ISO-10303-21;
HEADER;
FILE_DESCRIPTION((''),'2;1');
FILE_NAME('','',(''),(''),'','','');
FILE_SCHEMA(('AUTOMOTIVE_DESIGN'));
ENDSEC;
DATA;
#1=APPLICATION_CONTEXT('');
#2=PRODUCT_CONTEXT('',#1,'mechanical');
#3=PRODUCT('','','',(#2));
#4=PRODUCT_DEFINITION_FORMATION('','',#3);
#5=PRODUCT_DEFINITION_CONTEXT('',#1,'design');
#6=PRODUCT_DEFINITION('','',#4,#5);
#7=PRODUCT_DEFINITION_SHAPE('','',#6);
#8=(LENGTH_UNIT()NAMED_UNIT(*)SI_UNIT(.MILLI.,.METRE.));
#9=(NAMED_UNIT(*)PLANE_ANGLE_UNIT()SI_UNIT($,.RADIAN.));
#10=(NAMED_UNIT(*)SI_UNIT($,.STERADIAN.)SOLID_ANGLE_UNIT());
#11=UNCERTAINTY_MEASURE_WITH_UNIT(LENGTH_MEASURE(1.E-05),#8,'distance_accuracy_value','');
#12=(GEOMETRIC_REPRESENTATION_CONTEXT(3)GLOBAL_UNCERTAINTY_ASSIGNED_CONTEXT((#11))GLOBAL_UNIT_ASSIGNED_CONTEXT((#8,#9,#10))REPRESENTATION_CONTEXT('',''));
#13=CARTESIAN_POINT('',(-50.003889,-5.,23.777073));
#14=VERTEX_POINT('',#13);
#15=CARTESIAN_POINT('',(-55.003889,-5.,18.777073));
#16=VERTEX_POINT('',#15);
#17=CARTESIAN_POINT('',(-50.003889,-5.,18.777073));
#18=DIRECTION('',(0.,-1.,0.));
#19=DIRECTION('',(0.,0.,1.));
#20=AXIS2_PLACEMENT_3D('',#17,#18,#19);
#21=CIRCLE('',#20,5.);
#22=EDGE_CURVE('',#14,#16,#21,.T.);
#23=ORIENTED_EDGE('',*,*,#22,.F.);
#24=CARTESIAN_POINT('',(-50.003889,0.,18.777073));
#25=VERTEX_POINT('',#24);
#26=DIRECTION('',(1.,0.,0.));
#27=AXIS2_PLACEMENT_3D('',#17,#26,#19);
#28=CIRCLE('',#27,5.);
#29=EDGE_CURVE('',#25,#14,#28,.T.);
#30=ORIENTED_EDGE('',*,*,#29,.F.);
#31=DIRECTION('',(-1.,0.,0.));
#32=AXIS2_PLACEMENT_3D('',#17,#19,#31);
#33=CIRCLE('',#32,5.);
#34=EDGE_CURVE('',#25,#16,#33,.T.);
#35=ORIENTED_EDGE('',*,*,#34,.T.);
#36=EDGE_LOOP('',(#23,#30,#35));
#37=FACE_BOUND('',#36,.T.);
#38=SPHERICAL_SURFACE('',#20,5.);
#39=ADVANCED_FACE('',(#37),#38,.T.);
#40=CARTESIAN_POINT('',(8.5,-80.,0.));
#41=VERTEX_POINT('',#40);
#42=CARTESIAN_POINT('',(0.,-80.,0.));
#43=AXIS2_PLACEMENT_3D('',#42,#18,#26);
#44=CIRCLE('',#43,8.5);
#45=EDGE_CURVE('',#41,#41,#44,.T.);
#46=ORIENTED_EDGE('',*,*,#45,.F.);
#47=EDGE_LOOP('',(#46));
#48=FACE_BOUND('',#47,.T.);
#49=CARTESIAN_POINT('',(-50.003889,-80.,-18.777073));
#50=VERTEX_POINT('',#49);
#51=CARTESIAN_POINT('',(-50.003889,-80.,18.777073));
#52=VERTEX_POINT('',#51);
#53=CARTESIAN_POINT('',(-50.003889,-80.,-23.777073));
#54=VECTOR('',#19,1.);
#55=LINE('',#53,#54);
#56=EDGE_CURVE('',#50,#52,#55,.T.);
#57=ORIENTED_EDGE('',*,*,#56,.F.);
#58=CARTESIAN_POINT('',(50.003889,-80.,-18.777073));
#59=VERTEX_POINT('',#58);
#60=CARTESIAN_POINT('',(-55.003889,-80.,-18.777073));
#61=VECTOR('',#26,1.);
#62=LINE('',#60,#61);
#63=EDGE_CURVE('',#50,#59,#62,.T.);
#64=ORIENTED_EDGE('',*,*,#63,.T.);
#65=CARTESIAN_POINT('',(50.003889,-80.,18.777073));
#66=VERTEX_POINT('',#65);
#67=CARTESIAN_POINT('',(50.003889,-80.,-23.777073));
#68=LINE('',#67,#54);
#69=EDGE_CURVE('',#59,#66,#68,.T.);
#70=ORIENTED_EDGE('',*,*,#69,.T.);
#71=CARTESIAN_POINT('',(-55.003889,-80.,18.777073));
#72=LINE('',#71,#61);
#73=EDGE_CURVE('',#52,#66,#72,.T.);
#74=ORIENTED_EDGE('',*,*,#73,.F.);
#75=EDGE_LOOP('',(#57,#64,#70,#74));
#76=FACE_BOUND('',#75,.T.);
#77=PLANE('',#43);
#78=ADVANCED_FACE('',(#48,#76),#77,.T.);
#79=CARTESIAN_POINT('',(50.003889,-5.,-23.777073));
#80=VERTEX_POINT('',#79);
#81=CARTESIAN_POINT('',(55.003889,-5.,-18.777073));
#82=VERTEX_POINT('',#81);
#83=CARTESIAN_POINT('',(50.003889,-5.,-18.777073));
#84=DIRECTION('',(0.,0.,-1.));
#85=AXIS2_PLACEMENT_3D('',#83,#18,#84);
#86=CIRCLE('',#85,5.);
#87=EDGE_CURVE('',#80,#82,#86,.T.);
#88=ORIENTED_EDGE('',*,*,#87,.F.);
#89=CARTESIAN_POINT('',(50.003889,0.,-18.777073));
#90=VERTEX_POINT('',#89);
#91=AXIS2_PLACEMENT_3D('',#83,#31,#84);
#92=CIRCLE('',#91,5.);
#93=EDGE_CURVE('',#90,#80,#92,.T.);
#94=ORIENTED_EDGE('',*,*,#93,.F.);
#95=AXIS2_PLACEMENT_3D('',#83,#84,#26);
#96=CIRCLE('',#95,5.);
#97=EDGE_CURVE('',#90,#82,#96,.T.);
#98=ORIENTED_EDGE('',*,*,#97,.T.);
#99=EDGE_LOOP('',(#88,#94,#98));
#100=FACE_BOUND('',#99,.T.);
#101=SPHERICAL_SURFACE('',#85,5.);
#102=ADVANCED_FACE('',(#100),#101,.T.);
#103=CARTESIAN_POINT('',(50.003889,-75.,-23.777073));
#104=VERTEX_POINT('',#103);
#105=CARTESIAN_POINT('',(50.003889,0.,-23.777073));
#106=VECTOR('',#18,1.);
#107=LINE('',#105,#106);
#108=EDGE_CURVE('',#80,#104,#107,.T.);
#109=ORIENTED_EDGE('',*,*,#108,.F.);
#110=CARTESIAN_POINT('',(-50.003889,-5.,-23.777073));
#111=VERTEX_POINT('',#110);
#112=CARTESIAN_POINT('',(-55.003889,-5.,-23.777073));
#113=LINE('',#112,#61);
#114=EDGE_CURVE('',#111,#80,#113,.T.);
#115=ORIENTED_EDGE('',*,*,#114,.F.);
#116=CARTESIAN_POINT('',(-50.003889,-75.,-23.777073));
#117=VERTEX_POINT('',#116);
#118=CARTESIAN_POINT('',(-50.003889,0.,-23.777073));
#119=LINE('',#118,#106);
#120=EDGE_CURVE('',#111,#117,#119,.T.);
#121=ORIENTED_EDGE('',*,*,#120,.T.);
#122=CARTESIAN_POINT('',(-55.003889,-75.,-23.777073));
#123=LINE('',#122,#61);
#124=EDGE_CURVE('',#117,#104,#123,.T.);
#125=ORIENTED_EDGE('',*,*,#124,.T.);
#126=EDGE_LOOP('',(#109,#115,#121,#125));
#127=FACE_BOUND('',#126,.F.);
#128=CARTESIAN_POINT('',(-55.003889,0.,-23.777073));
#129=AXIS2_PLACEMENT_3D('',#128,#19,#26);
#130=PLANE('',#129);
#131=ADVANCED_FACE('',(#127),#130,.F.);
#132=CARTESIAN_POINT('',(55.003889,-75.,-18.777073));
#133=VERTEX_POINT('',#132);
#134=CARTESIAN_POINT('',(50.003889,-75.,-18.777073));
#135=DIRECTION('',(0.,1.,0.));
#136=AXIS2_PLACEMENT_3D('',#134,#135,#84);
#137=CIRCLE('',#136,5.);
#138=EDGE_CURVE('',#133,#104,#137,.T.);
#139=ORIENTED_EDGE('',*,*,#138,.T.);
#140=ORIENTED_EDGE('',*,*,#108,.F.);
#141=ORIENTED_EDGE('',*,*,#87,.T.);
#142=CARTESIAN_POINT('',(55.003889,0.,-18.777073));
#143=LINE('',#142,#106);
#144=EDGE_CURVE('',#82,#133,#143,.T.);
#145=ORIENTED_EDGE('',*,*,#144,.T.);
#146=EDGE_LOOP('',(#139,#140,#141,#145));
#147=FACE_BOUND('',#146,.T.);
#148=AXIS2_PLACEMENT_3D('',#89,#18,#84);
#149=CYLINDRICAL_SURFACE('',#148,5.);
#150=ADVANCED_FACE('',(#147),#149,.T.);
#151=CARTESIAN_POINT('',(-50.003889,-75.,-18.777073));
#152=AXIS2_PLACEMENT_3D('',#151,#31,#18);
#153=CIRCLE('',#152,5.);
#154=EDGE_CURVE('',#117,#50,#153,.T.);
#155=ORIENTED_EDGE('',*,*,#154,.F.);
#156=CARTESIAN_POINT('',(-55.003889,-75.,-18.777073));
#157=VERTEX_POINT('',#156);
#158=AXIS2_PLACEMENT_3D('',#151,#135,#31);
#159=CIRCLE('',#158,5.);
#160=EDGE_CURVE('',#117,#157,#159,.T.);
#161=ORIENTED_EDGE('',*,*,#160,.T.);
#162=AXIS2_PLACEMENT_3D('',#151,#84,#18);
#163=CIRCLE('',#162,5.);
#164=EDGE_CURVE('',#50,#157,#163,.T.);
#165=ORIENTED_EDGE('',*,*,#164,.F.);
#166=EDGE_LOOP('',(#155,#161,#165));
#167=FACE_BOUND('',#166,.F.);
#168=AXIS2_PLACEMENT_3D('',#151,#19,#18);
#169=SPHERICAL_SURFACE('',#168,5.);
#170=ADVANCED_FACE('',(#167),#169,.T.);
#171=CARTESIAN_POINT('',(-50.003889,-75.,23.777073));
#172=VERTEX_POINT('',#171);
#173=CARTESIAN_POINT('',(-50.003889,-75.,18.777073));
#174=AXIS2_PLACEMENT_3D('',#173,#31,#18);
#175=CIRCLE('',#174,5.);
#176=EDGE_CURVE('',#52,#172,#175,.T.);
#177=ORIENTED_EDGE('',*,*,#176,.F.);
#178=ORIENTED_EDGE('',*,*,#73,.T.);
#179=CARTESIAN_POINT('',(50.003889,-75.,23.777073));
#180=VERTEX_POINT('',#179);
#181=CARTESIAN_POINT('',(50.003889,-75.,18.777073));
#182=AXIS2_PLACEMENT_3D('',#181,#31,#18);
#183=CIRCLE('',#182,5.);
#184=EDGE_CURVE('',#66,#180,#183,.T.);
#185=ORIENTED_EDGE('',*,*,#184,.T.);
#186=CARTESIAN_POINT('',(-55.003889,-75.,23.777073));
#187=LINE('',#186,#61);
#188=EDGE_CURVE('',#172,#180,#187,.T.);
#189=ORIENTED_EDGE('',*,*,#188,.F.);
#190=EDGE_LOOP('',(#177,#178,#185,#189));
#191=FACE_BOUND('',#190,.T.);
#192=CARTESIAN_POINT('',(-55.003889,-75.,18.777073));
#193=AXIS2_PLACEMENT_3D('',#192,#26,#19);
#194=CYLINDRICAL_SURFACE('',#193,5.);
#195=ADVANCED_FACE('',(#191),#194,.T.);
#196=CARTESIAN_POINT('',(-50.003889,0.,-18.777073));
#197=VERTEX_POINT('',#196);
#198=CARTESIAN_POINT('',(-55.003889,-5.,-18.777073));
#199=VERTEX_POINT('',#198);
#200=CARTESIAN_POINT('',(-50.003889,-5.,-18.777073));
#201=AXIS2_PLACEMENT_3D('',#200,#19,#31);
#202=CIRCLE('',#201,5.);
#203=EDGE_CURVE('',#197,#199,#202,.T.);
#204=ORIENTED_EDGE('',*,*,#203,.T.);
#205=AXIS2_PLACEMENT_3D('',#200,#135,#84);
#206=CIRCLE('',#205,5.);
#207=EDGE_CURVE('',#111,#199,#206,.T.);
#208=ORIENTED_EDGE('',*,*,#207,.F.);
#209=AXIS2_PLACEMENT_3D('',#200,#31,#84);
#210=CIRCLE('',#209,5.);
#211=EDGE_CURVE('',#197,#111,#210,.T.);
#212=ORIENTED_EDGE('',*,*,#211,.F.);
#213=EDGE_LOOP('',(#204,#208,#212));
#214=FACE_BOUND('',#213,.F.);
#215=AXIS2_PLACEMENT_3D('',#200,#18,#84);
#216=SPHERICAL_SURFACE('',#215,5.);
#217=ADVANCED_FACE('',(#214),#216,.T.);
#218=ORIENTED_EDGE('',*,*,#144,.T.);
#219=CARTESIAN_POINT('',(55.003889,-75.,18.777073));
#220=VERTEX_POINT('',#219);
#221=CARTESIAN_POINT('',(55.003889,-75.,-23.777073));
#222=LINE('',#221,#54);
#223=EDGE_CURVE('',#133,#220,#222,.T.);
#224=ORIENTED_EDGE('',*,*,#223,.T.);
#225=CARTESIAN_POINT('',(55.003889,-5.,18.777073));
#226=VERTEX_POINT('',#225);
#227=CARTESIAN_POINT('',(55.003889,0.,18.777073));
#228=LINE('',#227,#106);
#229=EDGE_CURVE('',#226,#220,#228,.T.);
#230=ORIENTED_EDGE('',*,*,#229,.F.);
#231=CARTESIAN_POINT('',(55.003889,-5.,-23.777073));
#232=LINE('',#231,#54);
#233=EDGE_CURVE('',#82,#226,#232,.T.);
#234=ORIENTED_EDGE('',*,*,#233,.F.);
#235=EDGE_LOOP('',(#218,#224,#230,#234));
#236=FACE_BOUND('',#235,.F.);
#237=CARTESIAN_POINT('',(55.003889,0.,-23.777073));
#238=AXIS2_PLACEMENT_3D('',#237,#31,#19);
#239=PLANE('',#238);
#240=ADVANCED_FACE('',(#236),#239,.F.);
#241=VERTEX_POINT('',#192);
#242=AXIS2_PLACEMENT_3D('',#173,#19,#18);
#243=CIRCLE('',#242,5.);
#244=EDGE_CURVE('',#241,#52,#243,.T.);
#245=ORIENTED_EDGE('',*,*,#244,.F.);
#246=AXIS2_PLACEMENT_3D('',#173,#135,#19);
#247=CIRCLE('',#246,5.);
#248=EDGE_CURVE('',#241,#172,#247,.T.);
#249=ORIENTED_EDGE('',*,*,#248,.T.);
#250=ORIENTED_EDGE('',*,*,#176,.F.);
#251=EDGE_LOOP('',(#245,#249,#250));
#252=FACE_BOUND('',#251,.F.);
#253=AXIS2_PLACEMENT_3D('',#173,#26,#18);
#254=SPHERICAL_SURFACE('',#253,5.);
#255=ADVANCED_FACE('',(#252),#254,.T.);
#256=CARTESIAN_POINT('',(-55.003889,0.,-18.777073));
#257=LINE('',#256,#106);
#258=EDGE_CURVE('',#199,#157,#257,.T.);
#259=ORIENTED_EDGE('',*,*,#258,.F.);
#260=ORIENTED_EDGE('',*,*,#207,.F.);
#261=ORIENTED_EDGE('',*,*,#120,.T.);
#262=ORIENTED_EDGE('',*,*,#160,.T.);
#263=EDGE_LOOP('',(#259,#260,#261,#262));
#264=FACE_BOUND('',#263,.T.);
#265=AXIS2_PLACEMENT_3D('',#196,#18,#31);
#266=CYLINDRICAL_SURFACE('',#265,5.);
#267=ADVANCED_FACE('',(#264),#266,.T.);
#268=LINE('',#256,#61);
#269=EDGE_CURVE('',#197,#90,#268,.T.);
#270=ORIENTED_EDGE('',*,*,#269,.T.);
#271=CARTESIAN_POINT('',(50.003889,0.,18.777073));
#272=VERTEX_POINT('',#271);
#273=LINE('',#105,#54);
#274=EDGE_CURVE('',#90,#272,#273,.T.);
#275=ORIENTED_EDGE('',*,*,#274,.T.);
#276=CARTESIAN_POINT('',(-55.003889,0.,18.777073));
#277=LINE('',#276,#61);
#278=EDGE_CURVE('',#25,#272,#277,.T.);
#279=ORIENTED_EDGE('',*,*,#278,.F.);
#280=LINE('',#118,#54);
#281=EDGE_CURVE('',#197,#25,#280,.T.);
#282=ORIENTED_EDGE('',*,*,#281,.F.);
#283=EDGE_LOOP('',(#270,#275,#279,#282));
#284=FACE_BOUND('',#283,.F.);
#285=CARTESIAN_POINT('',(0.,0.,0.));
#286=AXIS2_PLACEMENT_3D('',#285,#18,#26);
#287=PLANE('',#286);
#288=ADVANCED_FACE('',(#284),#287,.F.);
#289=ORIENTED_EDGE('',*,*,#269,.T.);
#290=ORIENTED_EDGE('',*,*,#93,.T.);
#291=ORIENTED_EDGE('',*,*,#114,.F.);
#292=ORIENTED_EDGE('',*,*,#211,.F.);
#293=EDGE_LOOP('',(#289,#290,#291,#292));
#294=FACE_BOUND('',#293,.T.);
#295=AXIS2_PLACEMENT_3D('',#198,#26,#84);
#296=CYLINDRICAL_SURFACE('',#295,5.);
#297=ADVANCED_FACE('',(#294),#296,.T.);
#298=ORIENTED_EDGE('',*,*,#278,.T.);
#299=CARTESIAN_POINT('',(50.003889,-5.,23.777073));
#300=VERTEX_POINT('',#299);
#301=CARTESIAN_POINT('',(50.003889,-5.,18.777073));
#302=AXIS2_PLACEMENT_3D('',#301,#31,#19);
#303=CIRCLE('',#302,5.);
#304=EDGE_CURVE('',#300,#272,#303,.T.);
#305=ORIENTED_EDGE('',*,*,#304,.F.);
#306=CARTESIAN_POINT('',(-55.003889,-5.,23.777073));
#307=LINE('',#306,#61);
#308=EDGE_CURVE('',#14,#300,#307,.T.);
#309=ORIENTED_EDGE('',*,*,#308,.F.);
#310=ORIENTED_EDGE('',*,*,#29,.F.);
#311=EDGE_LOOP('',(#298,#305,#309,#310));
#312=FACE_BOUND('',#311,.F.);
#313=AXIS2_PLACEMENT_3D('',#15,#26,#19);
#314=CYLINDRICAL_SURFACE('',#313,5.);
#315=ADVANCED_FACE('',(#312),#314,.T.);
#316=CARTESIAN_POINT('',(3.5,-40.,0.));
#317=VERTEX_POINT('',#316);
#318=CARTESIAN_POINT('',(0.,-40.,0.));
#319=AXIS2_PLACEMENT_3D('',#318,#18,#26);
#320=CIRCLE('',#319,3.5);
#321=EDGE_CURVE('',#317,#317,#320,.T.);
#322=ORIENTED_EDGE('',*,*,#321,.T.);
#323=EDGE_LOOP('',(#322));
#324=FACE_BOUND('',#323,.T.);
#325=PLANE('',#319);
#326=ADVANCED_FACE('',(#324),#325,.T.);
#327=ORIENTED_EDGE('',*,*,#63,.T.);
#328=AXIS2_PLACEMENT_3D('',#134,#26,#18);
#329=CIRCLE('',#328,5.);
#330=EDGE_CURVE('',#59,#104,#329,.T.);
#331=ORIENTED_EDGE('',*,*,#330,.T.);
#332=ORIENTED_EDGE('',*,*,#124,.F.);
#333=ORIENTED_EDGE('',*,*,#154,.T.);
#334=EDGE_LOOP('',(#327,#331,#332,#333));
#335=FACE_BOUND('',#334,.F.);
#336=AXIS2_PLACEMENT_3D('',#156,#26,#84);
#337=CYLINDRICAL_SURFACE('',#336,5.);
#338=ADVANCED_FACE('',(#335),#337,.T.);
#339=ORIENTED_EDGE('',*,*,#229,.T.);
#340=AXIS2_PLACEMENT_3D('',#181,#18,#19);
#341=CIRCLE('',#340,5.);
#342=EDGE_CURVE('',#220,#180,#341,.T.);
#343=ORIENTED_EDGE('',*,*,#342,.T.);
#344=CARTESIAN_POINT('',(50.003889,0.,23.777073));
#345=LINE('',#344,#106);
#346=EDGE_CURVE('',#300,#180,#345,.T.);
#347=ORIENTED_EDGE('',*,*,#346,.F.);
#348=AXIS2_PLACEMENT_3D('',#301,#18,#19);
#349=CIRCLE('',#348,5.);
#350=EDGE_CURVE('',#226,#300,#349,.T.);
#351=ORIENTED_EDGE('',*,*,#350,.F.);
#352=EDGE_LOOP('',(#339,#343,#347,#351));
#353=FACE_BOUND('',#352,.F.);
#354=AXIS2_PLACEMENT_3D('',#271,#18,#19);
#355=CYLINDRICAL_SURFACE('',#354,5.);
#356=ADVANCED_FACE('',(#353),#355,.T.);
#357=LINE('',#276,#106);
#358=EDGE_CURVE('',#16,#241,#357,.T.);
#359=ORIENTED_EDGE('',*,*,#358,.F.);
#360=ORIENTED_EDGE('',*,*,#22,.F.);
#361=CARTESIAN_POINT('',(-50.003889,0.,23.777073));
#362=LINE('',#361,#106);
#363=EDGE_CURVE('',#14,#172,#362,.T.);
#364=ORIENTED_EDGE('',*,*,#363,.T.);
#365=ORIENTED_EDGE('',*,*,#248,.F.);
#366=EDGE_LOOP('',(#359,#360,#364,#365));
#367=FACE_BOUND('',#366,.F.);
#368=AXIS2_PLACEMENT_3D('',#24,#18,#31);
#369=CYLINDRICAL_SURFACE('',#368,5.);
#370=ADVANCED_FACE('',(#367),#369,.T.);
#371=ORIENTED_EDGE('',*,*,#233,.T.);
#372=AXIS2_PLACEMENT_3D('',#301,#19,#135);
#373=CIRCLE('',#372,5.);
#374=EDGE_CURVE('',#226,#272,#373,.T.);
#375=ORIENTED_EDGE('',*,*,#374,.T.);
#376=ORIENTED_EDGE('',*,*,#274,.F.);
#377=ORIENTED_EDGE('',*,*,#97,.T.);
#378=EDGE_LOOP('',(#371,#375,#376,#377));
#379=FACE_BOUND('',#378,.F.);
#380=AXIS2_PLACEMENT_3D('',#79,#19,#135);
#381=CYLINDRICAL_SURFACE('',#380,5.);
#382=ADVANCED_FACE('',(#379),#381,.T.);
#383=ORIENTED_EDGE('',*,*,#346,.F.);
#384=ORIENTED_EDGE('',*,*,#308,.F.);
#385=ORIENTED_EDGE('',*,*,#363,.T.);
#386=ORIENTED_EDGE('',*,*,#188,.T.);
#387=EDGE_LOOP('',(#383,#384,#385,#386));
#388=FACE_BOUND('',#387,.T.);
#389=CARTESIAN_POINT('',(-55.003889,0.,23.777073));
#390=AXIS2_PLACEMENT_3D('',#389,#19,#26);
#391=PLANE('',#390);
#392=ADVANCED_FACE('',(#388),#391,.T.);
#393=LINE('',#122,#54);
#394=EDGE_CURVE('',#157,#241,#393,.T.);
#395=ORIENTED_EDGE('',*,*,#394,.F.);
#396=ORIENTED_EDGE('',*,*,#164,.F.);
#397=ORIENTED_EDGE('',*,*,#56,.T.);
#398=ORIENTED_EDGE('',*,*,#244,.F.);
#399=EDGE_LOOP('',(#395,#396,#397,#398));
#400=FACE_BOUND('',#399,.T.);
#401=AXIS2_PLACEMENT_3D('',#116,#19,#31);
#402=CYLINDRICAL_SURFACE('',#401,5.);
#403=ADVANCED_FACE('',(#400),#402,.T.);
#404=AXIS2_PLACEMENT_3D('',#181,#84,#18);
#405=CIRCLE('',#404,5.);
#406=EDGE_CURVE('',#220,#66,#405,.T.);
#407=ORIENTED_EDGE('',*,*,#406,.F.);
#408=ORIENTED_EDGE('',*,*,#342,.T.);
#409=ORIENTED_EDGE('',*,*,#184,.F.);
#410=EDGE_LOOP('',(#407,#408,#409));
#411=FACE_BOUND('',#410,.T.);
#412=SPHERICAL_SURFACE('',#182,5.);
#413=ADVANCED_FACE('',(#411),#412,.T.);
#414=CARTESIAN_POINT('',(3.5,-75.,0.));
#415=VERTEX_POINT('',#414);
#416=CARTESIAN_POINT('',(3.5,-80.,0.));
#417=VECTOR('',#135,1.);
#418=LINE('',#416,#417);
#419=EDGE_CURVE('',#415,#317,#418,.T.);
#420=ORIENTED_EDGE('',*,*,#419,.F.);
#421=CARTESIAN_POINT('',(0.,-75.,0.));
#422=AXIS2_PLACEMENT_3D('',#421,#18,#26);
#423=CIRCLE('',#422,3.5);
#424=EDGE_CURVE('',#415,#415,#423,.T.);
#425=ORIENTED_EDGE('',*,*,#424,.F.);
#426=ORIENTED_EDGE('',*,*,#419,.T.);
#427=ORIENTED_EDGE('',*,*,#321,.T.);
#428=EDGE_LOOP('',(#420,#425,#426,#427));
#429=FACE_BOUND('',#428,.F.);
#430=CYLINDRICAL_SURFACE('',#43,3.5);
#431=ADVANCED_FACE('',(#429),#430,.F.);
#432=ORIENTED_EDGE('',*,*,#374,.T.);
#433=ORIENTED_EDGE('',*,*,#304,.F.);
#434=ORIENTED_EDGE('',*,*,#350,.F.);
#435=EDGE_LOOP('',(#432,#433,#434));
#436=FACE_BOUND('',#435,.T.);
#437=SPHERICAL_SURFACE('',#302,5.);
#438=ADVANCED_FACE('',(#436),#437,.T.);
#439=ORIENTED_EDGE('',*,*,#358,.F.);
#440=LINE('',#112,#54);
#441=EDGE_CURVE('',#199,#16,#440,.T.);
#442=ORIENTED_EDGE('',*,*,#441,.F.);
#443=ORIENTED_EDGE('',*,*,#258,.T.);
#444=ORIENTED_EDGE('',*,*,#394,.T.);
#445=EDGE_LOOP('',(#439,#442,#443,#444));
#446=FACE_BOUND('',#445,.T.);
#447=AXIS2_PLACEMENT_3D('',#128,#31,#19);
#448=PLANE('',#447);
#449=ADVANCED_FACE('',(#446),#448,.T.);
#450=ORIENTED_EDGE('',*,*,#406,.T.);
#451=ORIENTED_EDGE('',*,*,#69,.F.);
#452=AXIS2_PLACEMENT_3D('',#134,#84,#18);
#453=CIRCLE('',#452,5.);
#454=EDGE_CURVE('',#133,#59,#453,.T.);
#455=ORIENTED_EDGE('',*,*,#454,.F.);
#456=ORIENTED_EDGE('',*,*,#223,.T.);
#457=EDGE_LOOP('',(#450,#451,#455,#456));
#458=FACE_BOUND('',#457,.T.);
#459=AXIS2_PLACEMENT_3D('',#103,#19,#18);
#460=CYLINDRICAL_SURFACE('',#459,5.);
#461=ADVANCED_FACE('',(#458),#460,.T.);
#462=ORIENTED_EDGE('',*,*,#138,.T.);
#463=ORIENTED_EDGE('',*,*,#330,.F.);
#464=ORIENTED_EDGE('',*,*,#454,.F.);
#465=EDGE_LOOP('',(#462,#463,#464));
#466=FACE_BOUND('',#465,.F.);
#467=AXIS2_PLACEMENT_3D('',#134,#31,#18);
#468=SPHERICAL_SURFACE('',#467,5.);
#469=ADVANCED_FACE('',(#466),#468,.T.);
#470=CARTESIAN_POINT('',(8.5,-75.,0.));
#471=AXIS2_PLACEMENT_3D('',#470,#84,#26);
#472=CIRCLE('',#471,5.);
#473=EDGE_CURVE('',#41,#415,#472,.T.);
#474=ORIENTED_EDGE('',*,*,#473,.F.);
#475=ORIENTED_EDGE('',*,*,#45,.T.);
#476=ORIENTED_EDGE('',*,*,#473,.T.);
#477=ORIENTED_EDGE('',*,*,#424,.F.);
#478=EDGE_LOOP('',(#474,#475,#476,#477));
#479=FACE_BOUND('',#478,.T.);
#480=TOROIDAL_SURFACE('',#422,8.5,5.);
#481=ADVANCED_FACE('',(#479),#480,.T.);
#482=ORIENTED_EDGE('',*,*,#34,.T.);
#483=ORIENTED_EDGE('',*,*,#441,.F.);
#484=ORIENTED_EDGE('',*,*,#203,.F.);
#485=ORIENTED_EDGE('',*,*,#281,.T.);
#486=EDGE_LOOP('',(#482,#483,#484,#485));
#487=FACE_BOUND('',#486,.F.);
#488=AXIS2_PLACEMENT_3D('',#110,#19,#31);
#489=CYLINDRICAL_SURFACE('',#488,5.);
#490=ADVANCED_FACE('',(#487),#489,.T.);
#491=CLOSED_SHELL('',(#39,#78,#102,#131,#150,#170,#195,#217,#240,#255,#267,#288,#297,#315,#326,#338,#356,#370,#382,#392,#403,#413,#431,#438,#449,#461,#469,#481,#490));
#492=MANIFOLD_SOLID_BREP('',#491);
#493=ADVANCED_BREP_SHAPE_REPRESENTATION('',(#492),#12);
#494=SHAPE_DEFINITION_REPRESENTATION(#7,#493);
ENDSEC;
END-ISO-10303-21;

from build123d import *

# Parameters (mm, degrees)
F0_W     = 110.007778
F0_H     = 47.554146
F1_DEPTH = 80
F2_R     = 3.5
F3_DEPTH = 40
F4_R     = 5


with BuildPart() as f1:
    # F0 (on Front) → F1 (new body)
    with BuildSketch(Plane.XZ):
        Rectangle(F0_W, F0_H)
    extrude(amount=F1_DEPTH)

    # F2 (on face) → F3 (cut)
    with BuildSketch(Plane.XZ.offset(80)):
        Circle(F2_R)
    extrude(amount=-F3_DEPTH, mode=Mode.SUBTRACT)

    # F4
    f4_edges = [f1.edges().sort_by_distance(p)[0] for p in [
        (0, -80, 23.777073),
        (-55.003889, -80, 0),
        (0, -80, -23.777073),
        (55.003889, -80, 0),
        (-55.003889, -40, 23.777073),
        (0, 0, 23.777073),
        (55.003889, -40, 23.777073),
        (55.003889, -40, -23.777073),
        (-55.003889, -40, -23.777073),
        (0, 0, -23.777073),
        (55.003889, 0, 0),
        (-55.003889, 0, 0),
        (-3.5, -80, 0),
    ]]
    fillet(f4_edges, radius=F4_R)


solid = f1.part
